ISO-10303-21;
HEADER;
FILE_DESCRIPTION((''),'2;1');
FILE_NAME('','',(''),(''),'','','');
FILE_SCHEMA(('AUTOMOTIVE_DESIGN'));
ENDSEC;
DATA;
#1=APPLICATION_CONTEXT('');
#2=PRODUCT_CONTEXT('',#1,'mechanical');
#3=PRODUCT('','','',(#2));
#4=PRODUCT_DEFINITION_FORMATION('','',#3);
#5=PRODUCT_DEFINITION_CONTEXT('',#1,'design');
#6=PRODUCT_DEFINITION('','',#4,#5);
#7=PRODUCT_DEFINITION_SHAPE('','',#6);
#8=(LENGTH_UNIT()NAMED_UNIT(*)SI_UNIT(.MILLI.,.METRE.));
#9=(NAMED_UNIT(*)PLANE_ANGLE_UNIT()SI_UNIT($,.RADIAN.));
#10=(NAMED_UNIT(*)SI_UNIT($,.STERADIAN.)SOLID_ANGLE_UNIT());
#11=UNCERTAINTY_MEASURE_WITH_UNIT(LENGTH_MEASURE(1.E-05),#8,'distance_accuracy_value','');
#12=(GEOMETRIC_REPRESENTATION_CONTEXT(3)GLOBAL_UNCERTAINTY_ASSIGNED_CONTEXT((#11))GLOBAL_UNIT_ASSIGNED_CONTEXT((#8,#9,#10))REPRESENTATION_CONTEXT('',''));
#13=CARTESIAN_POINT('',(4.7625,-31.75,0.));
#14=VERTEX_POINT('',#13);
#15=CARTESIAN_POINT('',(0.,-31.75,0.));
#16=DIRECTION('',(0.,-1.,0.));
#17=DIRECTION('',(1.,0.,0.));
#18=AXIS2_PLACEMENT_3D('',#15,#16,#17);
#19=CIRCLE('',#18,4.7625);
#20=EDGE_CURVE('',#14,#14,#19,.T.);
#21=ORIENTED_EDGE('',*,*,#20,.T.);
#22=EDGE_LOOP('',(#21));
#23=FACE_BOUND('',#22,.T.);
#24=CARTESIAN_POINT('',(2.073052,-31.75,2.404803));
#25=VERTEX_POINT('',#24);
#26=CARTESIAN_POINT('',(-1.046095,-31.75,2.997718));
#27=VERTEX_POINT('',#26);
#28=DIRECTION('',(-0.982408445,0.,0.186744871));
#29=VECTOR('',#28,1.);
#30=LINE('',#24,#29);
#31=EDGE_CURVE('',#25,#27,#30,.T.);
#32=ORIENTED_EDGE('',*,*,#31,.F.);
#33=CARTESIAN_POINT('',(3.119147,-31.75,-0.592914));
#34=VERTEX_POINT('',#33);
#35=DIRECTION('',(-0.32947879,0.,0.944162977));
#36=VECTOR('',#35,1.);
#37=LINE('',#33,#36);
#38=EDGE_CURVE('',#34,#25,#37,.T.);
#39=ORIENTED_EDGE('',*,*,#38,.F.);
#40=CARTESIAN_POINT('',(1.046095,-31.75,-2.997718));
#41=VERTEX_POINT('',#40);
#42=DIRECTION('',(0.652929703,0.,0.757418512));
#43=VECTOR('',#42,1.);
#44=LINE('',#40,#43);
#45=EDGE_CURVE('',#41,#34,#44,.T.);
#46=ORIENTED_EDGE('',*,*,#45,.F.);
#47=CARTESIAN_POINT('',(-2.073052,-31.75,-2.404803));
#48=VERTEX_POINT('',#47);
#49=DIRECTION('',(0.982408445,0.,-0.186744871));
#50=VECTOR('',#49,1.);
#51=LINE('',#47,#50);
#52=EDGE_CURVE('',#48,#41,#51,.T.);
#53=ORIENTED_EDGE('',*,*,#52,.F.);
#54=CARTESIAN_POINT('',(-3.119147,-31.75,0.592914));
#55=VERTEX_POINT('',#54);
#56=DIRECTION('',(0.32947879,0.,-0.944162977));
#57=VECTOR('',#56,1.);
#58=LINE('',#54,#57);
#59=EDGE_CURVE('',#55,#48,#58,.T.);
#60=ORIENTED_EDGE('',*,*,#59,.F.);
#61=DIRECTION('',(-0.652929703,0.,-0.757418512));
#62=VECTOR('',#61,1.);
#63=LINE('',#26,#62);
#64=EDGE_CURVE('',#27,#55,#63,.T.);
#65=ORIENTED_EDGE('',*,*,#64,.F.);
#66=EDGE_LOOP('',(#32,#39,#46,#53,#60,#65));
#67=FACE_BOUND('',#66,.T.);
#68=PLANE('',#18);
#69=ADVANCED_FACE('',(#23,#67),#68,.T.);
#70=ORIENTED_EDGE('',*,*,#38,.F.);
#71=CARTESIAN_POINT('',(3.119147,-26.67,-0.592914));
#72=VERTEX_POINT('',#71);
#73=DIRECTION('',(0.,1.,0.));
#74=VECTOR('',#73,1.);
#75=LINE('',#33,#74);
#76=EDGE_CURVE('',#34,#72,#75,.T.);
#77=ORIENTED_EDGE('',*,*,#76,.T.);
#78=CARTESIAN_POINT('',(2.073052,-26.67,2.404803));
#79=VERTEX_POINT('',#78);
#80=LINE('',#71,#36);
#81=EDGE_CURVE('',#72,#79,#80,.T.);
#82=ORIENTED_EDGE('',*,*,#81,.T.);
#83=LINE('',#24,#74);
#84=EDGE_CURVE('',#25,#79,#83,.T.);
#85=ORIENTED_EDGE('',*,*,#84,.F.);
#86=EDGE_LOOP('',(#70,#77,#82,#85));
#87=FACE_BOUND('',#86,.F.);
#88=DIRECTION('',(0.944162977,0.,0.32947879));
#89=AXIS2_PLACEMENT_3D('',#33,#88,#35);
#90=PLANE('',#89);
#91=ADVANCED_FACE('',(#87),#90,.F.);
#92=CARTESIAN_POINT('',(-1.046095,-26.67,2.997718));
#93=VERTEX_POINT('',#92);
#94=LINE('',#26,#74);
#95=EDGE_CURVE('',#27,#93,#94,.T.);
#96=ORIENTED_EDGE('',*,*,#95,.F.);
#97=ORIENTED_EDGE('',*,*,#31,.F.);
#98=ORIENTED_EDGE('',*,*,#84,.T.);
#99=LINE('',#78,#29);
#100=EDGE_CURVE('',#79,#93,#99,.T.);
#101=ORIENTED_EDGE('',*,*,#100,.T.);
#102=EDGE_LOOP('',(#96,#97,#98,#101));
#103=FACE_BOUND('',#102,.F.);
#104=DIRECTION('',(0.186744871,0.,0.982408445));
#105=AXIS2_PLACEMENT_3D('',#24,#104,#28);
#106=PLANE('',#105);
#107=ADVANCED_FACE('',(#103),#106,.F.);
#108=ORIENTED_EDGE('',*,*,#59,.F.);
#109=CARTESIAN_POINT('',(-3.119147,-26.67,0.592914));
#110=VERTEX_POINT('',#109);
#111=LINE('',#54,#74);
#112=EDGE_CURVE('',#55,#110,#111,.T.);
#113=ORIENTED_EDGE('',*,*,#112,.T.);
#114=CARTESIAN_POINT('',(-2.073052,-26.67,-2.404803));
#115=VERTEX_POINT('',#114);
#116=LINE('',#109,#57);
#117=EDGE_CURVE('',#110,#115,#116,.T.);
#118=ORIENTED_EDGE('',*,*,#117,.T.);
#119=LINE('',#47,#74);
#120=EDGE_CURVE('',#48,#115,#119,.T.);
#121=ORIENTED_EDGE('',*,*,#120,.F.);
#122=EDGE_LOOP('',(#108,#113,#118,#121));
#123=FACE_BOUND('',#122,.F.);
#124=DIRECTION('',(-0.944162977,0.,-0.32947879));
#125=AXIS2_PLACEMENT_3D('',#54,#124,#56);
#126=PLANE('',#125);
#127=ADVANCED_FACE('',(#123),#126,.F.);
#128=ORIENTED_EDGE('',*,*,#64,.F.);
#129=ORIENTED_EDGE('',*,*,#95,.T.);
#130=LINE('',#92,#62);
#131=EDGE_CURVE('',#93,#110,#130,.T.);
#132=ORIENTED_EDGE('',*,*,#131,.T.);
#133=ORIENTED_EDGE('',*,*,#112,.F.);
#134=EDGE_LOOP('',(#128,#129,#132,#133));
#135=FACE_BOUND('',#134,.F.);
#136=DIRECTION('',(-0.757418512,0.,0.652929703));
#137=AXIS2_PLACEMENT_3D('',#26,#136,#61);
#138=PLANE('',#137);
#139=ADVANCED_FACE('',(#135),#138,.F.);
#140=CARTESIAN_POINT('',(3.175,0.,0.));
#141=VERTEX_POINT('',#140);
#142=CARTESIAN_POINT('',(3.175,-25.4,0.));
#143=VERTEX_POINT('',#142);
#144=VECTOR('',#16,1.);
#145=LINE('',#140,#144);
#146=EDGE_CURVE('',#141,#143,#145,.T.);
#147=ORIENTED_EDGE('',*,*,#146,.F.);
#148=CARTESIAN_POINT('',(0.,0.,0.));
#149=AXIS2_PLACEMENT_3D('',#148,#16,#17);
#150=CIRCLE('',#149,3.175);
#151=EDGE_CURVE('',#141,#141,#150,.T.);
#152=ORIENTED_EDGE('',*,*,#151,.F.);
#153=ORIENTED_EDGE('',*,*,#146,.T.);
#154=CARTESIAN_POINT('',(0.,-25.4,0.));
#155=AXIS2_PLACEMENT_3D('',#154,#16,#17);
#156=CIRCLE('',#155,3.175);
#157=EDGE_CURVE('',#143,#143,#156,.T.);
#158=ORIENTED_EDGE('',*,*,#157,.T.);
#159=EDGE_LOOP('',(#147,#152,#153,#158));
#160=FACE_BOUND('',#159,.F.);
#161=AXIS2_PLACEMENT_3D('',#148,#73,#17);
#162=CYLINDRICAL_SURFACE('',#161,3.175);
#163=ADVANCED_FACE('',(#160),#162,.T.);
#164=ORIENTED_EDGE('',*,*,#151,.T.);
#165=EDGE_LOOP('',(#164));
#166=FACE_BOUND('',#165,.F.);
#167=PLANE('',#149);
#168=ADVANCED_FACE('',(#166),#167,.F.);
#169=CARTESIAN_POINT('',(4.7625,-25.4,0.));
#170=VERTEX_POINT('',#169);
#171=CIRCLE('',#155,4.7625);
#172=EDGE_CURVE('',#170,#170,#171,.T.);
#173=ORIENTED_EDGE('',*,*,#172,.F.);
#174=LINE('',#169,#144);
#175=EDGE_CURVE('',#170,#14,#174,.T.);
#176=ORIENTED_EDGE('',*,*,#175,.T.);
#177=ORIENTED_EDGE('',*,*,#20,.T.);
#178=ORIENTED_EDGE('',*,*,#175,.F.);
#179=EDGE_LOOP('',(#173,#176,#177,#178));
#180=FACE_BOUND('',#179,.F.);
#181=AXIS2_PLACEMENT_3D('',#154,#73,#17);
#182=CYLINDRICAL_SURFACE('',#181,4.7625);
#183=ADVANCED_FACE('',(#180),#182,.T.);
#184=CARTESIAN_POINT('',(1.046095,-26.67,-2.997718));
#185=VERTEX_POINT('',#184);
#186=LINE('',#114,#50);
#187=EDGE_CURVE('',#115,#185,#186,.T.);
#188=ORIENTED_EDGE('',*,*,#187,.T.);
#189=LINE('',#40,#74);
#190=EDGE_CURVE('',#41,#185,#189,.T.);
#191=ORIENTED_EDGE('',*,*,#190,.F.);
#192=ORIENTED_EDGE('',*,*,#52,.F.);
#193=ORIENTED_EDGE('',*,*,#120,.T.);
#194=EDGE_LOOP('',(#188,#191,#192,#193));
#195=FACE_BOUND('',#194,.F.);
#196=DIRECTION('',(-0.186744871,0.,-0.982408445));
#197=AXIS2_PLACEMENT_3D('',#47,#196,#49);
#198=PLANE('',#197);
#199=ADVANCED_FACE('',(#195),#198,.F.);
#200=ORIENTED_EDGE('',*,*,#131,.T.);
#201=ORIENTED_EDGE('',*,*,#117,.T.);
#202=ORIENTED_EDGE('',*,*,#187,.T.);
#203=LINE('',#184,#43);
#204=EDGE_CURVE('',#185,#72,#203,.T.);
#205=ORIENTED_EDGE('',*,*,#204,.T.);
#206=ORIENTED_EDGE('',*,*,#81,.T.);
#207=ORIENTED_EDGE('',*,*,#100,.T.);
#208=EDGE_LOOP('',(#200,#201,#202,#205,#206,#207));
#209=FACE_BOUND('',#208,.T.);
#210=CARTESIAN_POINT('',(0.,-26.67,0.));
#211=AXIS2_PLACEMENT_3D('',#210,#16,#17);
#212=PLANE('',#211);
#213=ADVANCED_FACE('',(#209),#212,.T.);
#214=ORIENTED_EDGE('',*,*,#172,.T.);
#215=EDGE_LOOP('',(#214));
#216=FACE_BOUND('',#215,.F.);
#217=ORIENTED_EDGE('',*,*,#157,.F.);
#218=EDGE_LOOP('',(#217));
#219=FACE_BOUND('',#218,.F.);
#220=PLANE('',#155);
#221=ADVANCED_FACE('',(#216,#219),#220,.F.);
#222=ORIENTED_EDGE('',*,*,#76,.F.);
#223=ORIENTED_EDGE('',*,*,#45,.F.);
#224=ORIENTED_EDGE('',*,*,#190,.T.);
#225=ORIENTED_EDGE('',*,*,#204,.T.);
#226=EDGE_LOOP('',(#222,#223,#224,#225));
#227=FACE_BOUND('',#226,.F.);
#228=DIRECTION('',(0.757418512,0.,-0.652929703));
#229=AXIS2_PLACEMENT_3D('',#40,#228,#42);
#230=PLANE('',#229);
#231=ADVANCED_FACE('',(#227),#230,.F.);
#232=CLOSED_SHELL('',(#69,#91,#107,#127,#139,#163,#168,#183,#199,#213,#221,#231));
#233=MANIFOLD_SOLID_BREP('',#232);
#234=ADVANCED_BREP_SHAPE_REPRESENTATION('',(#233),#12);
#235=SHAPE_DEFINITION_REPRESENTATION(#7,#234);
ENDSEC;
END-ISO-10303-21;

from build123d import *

# Parameters (mm, degrees)
F0_R     = 3.175
F1_DEPTH = 25.4
F2_R     = 4.7625
F3_DEPTH = 6.35
F5_DEPTH = 5.08


with BuildPart() as f1:
    # F0 (on Front) → F1 (new body)
    with BuildSketch(Plane.XZ):
        Circle(F0_R)
    extrude(amount=F1_DEPTH)

    # F2 (on face) → F3 (join)
    with BuildSketch(Plane.XZ.offset(25.4)):
        Circle(F2_R)
    extrude(amount=F3_DEPTH)

    # F4 (on face) → F5 (cut)
    with BuildSketch(Plane.XZ.offset(31.75)):
        Polygon((-3.119147, 0.592914), (-2.073052, -2.404803), (1.046095, -2.997718), (3.119147, -0.592914), (2.073052, 2.404803), (-1.046095, 2.997718), align=None)
    extrude(amount=-F5_DEPTH, mode=Mode.SUBTRACT)


solid = f1.part
